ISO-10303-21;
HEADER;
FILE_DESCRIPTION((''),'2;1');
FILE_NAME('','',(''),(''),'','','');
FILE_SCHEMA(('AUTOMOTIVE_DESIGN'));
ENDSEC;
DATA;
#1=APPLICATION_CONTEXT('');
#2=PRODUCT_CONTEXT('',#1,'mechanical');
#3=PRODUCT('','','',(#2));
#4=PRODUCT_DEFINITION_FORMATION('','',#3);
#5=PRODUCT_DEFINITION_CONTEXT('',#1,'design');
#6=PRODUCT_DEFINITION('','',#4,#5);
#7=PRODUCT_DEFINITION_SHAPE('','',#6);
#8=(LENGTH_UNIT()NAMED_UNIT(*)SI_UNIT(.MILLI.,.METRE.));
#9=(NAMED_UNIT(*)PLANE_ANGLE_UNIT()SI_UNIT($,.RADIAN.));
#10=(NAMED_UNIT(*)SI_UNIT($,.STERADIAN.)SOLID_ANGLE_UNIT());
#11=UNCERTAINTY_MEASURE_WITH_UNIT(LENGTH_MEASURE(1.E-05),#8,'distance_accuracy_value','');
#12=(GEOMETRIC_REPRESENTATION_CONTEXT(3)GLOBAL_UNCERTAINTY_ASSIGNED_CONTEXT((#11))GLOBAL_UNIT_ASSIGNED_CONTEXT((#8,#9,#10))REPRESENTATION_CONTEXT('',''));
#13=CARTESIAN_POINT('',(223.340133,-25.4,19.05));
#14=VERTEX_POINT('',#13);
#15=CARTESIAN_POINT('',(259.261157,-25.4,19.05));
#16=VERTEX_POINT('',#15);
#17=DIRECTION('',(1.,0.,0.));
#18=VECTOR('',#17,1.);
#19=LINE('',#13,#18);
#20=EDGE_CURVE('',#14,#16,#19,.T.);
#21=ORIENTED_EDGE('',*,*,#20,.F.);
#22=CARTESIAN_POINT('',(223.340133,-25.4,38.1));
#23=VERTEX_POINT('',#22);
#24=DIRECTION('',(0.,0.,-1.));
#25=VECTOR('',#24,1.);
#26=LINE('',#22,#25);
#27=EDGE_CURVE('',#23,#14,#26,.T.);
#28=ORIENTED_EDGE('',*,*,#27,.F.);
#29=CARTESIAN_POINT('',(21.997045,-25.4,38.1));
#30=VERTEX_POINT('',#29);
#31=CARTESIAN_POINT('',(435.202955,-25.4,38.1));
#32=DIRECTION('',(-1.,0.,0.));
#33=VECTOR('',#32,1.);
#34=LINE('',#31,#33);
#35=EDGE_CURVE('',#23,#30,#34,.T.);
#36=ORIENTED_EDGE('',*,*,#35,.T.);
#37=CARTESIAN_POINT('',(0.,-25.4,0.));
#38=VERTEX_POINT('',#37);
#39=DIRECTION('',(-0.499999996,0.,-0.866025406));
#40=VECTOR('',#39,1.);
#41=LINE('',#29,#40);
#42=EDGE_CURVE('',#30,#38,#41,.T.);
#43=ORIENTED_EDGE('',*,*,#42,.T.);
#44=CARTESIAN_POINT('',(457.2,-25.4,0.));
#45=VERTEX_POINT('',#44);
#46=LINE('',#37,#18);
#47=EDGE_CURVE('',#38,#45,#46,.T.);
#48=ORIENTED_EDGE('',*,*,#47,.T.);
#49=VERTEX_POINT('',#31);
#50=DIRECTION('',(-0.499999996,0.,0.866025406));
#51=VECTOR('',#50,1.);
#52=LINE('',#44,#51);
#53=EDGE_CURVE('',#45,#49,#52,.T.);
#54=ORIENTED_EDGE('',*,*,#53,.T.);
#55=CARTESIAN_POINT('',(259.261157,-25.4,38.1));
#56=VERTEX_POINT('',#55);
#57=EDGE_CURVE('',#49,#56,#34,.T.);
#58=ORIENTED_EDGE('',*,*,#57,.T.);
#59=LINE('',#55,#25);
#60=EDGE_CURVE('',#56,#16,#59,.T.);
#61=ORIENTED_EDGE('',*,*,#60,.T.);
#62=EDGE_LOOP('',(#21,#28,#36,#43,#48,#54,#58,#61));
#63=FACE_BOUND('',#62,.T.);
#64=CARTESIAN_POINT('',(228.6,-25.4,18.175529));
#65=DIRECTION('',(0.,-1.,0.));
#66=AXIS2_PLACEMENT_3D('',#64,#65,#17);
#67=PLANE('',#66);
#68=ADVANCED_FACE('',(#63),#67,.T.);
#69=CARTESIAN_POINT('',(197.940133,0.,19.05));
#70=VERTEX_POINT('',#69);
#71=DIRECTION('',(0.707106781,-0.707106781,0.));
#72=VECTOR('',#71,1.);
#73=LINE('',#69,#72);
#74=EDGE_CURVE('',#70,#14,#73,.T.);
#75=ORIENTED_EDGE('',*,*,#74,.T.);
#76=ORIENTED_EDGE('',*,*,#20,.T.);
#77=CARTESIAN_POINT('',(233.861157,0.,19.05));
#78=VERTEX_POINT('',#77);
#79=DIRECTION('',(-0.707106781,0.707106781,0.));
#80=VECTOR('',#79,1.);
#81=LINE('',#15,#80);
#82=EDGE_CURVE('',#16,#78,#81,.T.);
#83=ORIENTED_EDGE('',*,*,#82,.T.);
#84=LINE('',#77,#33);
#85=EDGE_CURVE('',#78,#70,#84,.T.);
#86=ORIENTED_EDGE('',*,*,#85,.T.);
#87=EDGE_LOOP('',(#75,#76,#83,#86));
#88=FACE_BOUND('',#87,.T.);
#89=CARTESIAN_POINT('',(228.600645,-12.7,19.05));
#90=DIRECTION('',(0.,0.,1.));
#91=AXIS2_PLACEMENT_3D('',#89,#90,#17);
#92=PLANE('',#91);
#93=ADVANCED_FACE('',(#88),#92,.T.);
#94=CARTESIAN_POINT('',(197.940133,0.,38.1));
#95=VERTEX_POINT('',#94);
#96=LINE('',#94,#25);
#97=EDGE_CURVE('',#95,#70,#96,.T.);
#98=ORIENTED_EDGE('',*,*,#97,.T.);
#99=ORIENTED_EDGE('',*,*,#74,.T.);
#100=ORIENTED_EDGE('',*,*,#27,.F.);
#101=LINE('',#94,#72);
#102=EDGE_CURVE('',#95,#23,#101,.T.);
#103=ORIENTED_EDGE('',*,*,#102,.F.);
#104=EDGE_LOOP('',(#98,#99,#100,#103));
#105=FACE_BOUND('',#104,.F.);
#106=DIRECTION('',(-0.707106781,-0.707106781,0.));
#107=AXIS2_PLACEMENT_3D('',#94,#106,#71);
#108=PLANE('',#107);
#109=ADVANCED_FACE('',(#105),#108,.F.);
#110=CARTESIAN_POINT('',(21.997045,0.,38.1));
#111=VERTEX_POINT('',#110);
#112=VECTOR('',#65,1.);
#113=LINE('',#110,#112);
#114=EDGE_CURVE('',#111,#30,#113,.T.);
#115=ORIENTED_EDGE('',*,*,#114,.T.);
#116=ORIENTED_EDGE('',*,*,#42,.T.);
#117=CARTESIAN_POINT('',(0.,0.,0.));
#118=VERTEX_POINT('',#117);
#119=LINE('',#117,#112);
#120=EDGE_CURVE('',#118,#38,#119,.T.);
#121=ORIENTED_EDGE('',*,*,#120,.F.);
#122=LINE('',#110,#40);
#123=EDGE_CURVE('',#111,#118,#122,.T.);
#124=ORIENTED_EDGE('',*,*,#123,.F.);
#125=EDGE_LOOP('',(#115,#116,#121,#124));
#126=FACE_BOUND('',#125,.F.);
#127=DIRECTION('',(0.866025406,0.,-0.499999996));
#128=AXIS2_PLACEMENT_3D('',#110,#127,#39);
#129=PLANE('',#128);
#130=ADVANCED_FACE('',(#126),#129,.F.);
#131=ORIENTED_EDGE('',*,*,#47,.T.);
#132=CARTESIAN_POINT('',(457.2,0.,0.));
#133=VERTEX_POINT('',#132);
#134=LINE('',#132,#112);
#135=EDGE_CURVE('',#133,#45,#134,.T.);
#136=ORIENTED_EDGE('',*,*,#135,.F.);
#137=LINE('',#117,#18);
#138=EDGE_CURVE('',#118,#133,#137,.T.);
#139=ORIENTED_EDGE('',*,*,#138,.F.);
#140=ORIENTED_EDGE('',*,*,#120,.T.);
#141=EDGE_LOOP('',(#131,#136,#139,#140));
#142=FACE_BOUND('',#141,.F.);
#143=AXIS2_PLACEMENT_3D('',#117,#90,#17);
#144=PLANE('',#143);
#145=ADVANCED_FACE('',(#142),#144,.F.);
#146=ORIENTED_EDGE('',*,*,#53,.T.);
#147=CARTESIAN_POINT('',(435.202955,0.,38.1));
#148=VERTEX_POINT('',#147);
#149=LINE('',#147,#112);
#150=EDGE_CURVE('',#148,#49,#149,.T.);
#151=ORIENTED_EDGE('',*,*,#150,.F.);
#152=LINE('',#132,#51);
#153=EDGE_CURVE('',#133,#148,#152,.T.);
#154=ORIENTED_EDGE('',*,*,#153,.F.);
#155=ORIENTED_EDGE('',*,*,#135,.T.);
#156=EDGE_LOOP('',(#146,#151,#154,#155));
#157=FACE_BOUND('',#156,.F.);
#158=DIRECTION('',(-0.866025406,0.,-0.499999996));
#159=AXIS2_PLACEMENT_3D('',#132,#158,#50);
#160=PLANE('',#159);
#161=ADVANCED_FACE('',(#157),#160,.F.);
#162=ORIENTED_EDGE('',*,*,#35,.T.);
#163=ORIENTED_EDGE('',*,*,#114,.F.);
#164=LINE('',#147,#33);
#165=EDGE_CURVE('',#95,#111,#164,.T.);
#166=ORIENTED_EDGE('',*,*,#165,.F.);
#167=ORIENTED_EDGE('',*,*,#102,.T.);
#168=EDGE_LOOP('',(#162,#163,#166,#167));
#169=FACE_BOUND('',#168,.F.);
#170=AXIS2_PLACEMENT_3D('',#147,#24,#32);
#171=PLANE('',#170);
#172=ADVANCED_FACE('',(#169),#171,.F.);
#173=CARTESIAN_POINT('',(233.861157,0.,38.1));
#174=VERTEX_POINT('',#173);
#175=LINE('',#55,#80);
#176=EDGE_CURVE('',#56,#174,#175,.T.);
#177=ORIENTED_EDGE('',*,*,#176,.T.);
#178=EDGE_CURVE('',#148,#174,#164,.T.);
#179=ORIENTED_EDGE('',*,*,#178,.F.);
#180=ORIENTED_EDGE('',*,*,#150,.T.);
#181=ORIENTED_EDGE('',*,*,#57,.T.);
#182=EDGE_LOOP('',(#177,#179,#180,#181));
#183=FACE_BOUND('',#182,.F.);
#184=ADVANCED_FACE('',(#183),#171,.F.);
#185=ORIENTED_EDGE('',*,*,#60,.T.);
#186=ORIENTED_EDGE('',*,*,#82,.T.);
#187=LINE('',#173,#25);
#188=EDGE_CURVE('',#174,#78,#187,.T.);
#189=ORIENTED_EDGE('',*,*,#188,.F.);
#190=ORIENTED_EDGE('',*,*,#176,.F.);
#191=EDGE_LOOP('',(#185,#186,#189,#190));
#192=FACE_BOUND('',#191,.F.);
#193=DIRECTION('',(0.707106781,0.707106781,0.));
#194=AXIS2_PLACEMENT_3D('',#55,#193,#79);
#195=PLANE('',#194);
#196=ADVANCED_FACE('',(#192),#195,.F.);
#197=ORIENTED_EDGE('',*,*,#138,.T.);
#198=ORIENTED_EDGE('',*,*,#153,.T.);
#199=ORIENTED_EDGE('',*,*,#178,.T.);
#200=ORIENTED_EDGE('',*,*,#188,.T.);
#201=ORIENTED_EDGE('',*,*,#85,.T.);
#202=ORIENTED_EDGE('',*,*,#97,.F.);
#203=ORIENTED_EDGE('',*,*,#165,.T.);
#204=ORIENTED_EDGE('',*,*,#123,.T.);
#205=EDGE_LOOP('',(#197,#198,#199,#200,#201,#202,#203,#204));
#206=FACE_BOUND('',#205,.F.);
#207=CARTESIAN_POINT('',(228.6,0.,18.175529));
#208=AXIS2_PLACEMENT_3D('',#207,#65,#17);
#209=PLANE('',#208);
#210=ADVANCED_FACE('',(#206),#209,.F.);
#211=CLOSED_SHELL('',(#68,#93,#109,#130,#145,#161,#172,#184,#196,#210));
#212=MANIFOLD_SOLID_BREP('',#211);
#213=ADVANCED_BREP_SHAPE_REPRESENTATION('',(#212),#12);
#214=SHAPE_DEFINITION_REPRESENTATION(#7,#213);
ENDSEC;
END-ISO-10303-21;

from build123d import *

# Parameters (mm, degrees)
F1_DEPTH = 25.4
F3_DEPTH = 19.05


with BuildPart() as f1:
    # F0 (on Front) → F1 (new body)
    with BuildSketch(Plane.XZ):
        Polygon((21.997045, 38.1), (0, 0), (457.2, 0), (435.202955, 38.1), align=None)
    extrude(amount=F1_DEPTH)

    # F2 (on face) → F3 (cut)
    with BuildSketch(Plane.XY.offset(38.1)):
        Polygon((233.861157, 0), (197.940133, 0), (223.340133, -25.4), (259.261157, -25.4), align=None)
    extrude(amount=-F3_DEPTH, mode=Mode.SUBTRACT)


solid = f1.part
